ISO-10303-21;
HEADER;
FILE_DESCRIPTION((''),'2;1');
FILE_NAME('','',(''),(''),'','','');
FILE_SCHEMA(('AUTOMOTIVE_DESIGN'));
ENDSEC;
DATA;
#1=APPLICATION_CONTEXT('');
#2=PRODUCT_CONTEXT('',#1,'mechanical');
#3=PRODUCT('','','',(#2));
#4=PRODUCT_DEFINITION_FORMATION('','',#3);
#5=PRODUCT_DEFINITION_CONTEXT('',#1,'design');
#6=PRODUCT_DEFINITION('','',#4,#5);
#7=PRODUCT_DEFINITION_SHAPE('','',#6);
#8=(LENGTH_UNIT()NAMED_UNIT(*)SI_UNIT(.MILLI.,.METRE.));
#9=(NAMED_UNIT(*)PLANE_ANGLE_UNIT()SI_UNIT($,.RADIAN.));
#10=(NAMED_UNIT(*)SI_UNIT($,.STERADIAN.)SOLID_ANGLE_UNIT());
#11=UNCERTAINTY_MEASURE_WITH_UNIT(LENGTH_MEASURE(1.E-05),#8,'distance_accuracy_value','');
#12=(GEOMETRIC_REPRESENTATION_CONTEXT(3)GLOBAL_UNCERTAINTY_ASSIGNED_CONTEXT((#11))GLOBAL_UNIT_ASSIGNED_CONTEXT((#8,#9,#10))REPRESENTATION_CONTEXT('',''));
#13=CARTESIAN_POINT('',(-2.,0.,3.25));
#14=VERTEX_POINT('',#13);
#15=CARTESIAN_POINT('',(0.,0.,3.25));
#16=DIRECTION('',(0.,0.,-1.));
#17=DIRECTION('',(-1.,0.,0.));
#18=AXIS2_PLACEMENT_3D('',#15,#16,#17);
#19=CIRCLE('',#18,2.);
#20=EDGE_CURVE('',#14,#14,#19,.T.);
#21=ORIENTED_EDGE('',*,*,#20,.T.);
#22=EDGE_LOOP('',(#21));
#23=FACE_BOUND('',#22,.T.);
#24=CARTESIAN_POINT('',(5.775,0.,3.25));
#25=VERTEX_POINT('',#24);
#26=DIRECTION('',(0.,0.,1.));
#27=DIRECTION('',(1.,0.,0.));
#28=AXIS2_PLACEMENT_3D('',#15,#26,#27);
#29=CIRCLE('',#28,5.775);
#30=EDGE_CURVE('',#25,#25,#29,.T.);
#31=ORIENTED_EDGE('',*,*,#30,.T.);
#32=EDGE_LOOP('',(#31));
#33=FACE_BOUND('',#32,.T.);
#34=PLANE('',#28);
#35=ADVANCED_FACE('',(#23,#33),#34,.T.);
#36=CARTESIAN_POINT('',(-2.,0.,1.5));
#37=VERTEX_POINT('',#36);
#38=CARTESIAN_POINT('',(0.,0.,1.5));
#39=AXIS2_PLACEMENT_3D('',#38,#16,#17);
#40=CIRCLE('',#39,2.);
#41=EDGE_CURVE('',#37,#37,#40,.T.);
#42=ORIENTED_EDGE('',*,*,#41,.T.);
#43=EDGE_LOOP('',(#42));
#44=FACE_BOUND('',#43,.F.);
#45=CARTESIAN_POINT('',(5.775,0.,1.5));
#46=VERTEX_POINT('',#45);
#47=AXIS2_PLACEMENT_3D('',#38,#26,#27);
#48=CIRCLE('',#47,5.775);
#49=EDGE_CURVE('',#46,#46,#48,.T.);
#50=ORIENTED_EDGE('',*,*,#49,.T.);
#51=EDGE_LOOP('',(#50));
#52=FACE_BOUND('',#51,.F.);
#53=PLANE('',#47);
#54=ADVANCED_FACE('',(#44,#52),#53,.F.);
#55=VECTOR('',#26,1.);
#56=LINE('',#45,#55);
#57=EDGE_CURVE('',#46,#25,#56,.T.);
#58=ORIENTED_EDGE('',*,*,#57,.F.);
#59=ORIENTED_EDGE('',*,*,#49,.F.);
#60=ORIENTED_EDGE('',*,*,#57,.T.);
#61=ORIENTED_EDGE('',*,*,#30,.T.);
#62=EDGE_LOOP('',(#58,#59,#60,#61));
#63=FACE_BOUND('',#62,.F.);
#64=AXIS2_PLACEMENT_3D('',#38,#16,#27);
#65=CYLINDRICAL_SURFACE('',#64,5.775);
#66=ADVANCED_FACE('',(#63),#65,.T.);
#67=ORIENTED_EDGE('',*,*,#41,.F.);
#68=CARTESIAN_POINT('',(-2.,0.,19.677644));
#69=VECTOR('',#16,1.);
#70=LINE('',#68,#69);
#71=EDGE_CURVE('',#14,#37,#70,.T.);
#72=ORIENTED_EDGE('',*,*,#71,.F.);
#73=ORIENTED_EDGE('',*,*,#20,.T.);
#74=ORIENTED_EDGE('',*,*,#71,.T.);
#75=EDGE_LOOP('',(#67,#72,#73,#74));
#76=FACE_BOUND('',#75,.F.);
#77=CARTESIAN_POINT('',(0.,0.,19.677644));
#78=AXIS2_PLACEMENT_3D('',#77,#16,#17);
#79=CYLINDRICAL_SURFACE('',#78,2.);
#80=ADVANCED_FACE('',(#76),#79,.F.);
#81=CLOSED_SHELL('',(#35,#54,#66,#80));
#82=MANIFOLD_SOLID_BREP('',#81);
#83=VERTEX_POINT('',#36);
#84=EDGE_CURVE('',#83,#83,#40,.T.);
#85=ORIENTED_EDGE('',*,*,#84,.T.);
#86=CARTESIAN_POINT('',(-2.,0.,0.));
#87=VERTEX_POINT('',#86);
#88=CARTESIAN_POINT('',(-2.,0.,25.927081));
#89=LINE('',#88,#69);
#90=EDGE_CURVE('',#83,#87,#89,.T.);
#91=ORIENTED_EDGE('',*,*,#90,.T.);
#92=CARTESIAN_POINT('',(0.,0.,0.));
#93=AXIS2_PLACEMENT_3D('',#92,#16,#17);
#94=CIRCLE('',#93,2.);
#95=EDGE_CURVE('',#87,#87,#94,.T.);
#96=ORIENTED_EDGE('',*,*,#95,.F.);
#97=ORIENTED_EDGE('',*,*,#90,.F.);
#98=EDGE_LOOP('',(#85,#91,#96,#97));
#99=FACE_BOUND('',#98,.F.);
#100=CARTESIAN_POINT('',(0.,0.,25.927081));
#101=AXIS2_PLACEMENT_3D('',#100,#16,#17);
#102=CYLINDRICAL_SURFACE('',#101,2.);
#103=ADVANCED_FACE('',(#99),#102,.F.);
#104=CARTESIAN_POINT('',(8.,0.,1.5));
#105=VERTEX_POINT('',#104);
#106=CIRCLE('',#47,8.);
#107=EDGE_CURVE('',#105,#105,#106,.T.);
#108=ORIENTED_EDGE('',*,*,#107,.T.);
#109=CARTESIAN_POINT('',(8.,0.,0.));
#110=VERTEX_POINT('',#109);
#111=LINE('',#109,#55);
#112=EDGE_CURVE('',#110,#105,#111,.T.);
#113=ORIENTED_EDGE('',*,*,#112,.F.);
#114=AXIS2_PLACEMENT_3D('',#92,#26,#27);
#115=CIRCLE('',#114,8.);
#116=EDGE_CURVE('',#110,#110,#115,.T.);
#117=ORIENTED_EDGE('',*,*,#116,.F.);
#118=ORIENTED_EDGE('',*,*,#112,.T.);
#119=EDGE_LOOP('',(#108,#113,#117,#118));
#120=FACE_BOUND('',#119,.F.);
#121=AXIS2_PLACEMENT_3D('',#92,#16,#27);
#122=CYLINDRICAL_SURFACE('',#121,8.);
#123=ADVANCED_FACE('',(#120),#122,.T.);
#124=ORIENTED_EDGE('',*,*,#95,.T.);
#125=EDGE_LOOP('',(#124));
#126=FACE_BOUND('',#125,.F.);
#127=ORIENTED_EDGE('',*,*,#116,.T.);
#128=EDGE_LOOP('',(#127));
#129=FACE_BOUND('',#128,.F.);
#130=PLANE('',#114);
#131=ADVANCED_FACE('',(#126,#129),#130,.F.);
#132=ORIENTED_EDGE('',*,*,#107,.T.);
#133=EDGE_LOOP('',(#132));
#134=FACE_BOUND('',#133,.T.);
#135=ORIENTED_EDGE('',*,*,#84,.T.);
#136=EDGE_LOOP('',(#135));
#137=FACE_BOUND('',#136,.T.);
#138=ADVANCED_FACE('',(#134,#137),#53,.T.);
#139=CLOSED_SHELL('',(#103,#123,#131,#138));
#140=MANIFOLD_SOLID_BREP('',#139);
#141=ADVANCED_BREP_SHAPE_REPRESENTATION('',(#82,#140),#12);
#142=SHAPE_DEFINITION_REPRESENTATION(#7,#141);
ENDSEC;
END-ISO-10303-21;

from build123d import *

# Parameters (mm, degrees)
F0_R     = 8
F1_DEPTH = 1.5
F2_R     = 5.775
F3_DEPTH = 1.75
F5_D     = 4
F5_2_D   = 4


with BuildPart() as f1:
    # F0 (on Top) → F1 (new body)
    with BuildSketch(Plane.XY):
        Circle(F0_R)
    extrude(amount=F1_DEPTH)

    # F5 (through all)
    with Locations(Plane.XY.offset(3.25)):
        with Locations((0, 0)):
            Hole(F5_D / 2)


with BuildPart() as f3:
    # F2 (on face) → F3 (new body)
    with BuildSketch(Plane.XY.offset(1.5)):
        Circle(F2_R)
    extrude(amount=F3_DEPTH)

    # F5#2 (through all)
    with Locations(Plane.XY.offset(3.25)):
        with Locations((0, 0)):
            Hole(F5_2_D / 2)


solid = Compound([f1.part, f3.part])
